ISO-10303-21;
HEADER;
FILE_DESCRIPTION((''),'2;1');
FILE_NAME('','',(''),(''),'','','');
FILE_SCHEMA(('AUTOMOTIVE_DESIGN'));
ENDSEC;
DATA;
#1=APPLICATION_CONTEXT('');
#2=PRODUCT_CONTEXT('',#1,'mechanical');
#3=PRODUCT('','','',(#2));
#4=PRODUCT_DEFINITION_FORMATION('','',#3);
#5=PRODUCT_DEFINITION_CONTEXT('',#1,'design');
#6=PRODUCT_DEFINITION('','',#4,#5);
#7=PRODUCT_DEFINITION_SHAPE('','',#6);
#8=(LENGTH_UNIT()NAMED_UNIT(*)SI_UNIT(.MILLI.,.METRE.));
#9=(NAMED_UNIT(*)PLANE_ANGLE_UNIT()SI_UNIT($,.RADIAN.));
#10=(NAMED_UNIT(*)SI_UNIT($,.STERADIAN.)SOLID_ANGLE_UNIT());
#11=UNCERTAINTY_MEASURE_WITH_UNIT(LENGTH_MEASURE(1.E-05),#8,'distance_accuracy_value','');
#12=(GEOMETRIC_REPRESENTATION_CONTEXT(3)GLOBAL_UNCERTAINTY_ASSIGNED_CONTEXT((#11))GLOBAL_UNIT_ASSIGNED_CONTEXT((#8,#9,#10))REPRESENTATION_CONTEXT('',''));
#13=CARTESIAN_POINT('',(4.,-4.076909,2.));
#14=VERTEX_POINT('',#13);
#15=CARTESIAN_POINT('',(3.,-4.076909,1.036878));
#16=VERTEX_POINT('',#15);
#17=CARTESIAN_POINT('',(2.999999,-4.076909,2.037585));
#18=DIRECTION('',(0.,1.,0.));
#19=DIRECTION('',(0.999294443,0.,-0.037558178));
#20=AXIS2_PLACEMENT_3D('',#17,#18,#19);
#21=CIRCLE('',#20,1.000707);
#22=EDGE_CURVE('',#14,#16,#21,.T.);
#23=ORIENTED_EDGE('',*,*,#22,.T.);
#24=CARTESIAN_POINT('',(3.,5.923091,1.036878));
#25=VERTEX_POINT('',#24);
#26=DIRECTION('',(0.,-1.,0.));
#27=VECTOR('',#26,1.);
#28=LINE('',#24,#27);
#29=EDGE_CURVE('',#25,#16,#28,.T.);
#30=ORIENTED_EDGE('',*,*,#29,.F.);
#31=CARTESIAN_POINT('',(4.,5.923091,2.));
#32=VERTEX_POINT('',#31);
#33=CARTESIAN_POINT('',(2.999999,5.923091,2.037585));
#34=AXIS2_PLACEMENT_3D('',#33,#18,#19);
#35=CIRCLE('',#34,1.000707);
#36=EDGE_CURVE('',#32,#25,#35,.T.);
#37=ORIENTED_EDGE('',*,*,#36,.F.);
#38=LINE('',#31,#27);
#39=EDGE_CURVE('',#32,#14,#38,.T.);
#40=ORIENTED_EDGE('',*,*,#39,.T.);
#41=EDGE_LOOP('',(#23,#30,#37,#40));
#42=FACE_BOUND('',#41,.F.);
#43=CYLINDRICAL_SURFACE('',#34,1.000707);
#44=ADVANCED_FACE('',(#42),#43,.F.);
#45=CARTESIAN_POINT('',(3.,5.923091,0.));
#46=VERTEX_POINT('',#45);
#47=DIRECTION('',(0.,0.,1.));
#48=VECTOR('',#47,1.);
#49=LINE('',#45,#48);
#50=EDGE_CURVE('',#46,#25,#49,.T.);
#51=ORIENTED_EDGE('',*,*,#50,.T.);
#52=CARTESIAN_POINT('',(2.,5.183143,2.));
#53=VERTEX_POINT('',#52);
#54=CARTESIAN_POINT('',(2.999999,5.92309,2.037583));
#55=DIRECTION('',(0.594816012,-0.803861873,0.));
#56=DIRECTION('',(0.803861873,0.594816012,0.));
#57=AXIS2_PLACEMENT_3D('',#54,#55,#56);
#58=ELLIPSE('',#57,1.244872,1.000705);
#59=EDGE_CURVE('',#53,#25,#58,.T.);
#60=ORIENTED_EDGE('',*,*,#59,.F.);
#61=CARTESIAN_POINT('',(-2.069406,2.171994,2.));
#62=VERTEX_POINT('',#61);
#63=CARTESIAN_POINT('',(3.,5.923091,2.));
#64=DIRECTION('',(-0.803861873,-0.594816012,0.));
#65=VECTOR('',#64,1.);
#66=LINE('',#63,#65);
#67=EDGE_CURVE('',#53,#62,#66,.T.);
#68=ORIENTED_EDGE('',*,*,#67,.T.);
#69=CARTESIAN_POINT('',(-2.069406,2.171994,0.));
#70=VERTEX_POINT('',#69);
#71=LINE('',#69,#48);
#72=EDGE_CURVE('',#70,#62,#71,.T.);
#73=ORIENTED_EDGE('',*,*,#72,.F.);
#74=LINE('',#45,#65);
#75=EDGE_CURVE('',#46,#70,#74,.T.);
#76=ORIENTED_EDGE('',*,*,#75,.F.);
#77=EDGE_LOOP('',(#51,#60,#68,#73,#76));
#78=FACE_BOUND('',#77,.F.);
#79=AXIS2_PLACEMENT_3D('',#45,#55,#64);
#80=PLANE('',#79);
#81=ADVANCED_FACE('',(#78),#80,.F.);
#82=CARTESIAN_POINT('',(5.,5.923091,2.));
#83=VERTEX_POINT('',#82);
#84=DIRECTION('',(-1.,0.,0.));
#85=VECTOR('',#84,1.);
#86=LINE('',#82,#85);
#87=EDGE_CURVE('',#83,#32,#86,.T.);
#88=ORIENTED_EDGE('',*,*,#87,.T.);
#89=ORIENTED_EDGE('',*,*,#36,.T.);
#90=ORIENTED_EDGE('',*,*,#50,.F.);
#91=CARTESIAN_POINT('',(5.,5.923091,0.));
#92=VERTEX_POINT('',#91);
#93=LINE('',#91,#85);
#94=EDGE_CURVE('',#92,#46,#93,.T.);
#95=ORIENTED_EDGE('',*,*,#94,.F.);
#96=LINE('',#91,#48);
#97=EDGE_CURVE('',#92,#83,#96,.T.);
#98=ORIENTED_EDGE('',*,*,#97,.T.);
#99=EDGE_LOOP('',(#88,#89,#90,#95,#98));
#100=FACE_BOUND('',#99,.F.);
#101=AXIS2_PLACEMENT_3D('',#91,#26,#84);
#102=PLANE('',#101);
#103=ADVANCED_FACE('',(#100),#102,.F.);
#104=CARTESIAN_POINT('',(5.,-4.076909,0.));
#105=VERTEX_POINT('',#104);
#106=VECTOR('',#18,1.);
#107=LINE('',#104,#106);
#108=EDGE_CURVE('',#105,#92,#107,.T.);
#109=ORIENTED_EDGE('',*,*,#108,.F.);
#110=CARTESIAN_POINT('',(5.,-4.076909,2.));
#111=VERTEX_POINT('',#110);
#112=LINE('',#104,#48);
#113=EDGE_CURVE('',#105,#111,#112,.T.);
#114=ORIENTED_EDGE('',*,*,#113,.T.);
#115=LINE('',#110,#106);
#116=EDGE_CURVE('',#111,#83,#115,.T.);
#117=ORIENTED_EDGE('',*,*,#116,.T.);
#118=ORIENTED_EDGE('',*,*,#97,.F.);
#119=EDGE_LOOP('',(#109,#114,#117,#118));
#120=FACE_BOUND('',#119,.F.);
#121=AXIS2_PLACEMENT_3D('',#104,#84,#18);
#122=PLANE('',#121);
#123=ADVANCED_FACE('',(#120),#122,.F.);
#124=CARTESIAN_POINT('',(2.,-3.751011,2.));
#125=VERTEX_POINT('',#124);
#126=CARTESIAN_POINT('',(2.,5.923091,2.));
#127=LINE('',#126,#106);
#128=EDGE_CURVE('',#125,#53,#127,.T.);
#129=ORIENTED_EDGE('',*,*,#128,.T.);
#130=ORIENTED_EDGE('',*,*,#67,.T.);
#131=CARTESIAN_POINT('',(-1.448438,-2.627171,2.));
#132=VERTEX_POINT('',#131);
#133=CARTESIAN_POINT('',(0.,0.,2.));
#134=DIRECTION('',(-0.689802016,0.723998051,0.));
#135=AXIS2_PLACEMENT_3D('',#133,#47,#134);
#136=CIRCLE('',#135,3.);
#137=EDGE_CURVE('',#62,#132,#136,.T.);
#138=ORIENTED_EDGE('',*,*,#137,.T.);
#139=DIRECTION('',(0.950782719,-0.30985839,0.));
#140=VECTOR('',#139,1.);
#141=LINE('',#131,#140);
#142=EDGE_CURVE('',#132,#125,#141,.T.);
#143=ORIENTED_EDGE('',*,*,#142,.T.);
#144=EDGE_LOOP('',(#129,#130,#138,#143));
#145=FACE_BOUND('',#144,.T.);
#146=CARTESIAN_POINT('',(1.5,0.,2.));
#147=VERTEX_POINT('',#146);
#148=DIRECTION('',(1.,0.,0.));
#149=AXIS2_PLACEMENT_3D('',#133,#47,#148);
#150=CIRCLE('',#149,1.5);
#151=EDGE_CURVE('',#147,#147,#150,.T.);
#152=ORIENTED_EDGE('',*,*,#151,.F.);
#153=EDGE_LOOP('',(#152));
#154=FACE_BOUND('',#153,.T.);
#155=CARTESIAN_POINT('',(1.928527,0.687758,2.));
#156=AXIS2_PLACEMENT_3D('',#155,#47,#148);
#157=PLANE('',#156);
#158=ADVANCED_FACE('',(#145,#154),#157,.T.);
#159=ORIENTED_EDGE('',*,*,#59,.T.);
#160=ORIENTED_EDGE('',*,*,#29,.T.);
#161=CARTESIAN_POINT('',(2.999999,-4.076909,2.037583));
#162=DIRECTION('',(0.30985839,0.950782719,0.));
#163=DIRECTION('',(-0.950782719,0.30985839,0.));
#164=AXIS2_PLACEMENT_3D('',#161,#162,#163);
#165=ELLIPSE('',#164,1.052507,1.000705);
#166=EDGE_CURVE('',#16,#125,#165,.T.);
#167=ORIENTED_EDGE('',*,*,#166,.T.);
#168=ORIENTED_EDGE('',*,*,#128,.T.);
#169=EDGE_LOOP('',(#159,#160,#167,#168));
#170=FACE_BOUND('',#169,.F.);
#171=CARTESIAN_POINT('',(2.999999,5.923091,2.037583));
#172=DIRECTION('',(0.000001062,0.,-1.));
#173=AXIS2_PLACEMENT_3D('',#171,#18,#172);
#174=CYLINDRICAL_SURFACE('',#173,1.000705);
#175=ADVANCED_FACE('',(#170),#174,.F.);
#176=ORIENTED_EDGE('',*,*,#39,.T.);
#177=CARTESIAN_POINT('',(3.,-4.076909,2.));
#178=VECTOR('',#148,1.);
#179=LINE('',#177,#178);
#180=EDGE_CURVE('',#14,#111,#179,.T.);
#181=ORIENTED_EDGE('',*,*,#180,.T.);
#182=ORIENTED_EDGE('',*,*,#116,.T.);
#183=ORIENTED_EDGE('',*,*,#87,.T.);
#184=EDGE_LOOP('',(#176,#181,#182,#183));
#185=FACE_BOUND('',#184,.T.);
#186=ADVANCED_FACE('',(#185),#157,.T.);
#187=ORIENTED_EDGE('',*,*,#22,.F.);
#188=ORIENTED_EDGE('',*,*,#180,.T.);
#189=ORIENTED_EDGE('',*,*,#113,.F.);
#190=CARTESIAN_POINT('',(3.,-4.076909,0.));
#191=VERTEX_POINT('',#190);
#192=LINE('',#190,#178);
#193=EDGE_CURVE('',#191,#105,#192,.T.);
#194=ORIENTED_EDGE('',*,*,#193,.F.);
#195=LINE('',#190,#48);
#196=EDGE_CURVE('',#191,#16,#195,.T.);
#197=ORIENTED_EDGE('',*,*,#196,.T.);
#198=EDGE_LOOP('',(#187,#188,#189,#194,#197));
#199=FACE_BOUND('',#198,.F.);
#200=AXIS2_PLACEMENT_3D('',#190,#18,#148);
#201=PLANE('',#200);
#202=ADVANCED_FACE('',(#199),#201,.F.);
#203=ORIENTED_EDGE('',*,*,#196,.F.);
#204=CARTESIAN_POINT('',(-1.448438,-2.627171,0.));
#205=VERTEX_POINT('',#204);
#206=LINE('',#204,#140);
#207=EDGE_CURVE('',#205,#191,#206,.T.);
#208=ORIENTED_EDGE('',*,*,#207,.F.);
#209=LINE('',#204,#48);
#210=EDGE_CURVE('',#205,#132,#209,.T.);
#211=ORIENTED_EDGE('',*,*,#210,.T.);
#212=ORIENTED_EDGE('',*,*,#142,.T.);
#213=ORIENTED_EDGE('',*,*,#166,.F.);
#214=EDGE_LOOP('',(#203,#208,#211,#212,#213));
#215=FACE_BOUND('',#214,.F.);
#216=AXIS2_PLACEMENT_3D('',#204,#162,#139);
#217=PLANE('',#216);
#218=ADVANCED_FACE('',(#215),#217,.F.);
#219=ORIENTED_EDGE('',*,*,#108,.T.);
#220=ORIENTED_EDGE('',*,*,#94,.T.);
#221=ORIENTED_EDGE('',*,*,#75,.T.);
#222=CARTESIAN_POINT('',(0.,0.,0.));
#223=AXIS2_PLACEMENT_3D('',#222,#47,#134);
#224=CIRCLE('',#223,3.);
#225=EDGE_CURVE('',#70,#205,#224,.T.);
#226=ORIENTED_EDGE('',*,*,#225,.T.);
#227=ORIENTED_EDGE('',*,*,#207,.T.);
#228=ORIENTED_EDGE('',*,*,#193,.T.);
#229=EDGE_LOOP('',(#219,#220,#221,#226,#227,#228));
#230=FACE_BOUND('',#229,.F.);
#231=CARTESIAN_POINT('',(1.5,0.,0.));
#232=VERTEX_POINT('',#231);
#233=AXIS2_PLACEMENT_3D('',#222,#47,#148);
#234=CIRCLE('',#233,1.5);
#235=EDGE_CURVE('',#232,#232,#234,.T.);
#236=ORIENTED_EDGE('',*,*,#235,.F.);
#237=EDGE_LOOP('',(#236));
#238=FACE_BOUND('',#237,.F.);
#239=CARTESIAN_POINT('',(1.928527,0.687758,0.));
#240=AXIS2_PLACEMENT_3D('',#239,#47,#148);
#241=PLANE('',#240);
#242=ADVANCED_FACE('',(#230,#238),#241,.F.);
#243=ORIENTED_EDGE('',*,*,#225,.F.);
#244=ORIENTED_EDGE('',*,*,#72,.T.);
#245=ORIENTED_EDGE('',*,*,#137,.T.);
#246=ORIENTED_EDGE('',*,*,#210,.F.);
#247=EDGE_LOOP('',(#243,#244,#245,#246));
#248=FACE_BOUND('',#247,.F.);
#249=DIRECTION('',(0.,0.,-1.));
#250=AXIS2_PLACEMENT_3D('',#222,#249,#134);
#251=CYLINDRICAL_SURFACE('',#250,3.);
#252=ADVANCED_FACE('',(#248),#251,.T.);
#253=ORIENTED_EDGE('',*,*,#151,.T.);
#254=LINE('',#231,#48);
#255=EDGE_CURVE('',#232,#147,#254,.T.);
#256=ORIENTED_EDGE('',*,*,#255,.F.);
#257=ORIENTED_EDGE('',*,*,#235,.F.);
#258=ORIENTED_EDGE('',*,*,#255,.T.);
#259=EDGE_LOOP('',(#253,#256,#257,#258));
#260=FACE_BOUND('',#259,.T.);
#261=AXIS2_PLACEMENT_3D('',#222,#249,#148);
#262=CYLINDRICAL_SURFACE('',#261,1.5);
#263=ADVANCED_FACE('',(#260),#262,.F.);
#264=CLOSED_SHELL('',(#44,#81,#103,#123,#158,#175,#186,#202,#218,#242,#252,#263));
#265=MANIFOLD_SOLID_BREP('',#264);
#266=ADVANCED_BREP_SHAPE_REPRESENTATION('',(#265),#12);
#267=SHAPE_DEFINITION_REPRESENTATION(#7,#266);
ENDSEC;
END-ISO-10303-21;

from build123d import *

# Parameters (mm, degrees)
F0_R     = 1.5
F1_DEPTH = 2
F3_DEPTH = 25


with BuildPart() as f1:
    # F0 (on Top) → F1 (new body)
    with BuildSketch(Plane.XY):
        with BuildLine():
            Line((3, 5.923091), (-2.069406, 2.171994))
            ThreePointArc((-2.069406, 2.171994), (-2.975198, -0.384963), (-1.448438, -2.627171))
            Line((-1.448438, -2.627171), (3, -4.076909))
            Line((3, -4.076909), (5, -4.076909))
            Line((5, -4.076909), (5, 5.923091))
            Line((5, 5.923091), (3, 5.923091))
        make_face()
        Circle(F0_R, mode=Mode.SUBTRACT)
    extrude(amount=F1_DEPTH)

    # F2 (on face) → F3 (cut)
    with BuildSketch(Plane(origin=(0, 5.923091, 0), x_dir=(-1, 0, 0), z_dir=(0, 1, 0))):
        with BuildLine():
            Line((-3, 2), (-4, 2))
            ThreePointArc((-4, 2), (-3.694191, 1.316813), (-3, 1.036878))
            Line((-3, 1.036878), (-3, 2))
        make_face()
        with BuildLine():
            Line((-2, 2.075168), (-4, 2))
            Line((-4, 2), (-3, 2))
            Line((-3, 2), (-3, 1.036878))
            ThreePointArc((-3, 1.036878), (-2.279228, 1.343393), (-2, 2.075168))
        make_face()
    extrude(amount=-F3_DEPTH, mode=Mode.SUBTRACT)


solid = f1.part
